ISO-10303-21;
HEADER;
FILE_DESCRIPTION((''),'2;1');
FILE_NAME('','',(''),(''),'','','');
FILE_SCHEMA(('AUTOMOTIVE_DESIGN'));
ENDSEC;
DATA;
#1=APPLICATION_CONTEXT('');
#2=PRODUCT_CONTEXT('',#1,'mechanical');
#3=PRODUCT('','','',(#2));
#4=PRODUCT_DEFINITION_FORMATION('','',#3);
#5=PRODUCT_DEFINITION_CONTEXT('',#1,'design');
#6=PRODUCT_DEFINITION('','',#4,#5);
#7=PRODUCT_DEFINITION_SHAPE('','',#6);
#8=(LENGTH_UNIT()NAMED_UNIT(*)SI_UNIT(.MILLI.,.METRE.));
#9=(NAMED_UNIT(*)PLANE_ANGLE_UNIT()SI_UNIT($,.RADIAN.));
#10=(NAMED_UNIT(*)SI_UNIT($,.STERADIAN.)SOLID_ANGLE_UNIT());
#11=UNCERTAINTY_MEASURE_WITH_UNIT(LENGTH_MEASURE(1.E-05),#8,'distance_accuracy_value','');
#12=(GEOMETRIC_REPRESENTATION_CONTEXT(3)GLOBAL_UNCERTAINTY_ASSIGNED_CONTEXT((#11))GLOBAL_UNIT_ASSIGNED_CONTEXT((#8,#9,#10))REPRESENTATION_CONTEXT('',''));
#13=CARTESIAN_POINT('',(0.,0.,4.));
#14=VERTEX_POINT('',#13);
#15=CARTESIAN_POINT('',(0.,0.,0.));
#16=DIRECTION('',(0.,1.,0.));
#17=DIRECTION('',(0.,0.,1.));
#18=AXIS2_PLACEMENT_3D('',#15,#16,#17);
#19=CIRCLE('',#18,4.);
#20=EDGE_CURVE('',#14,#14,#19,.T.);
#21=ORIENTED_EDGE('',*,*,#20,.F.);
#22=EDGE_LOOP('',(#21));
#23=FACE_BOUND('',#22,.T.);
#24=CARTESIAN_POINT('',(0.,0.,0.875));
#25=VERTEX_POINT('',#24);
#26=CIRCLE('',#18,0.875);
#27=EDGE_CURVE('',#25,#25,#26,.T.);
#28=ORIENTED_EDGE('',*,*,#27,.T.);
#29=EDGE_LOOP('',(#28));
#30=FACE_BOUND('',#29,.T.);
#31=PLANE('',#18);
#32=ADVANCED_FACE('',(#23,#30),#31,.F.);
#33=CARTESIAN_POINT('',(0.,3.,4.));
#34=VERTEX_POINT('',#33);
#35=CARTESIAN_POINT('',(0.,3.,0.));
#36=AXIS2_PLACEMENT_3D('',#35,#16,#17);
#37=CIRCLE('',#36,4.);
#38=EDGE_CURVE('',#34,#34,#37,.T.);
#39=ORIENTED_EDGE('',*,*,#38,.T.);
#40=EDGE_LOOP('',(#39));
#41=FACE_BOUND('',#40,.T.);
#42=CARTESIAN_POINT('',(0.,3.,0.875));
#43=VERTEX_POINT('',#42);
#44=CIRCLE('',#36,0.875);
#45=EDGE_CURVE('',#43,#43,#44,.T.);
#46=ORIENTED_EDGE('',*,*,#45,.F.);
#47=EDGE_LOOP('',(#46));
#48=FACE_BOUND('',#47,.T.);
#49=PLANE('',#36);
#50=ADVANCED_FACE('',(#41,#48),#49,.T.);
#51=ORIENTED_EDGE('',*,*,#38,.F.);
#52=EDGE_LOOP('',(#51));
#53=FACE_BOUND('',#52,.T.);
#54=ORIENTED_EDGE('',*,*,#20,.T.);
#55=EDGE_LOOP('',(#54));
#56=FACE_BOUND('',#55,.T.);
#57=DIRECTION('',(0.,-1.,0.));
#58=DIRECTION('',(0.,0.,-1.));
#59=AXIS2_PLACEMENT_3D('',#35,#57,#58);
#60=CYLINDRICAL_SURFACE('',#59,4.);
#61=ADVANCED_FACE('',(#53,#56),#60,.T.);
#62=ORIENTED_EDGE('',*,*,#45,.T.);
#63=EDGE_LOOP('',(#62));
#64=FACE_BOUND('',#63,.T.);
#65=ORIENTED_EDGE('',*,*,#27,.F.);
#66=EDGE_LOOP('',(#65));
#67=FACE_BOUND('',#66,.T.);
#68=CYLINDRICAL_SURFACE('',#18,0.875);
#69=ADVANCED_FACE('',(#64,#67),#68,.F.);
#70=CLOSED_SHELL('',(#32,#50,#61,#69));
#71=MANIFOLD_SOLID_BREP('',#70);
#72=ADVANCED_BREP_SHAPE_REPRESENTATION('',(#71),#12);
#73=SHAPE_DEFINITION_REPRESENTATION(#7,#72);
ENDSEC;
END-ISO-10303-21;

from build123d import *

# Parameters (mm, degrees)
SKETCH1_R           = 4
BOSS_EXTRUDE1_DEPTH = 3
SKETCH2_R           = 0.875
CUT_EXTRUDE1_DEPTH  = 7.403124237


with BuildPart() as part:
    # Sketch1 → Boss-Extrude1 (new body)
    with BuildSketch(Plane(origin=(0, 0, 0), x_dir=(1, 0, 0), z_dir=(0, 1, 0))):
        with Locations(Location((0, 0, 0), (0, 0, 270))):
            Circle(SKETCH1_R)
    extrude(amount=BOSS_EXTRUDE1_DEPTH)

    # Sketch2 → Cut-Extrude1 (cut, through all)
    with BuildSketch(Plane(origin=(0, 3, 0), x_dir=(1, 0, 0), z_dir=(0, 1, 0))):
        with Locations(Location((0, 0, 0), (0, 0, 270))):
            Circle(SKETCH2_R)
    extrude(amount=-CUT_EXTRUDE1_DEPTH, mode=Mode.SUBTRACT)


solid = part.part
